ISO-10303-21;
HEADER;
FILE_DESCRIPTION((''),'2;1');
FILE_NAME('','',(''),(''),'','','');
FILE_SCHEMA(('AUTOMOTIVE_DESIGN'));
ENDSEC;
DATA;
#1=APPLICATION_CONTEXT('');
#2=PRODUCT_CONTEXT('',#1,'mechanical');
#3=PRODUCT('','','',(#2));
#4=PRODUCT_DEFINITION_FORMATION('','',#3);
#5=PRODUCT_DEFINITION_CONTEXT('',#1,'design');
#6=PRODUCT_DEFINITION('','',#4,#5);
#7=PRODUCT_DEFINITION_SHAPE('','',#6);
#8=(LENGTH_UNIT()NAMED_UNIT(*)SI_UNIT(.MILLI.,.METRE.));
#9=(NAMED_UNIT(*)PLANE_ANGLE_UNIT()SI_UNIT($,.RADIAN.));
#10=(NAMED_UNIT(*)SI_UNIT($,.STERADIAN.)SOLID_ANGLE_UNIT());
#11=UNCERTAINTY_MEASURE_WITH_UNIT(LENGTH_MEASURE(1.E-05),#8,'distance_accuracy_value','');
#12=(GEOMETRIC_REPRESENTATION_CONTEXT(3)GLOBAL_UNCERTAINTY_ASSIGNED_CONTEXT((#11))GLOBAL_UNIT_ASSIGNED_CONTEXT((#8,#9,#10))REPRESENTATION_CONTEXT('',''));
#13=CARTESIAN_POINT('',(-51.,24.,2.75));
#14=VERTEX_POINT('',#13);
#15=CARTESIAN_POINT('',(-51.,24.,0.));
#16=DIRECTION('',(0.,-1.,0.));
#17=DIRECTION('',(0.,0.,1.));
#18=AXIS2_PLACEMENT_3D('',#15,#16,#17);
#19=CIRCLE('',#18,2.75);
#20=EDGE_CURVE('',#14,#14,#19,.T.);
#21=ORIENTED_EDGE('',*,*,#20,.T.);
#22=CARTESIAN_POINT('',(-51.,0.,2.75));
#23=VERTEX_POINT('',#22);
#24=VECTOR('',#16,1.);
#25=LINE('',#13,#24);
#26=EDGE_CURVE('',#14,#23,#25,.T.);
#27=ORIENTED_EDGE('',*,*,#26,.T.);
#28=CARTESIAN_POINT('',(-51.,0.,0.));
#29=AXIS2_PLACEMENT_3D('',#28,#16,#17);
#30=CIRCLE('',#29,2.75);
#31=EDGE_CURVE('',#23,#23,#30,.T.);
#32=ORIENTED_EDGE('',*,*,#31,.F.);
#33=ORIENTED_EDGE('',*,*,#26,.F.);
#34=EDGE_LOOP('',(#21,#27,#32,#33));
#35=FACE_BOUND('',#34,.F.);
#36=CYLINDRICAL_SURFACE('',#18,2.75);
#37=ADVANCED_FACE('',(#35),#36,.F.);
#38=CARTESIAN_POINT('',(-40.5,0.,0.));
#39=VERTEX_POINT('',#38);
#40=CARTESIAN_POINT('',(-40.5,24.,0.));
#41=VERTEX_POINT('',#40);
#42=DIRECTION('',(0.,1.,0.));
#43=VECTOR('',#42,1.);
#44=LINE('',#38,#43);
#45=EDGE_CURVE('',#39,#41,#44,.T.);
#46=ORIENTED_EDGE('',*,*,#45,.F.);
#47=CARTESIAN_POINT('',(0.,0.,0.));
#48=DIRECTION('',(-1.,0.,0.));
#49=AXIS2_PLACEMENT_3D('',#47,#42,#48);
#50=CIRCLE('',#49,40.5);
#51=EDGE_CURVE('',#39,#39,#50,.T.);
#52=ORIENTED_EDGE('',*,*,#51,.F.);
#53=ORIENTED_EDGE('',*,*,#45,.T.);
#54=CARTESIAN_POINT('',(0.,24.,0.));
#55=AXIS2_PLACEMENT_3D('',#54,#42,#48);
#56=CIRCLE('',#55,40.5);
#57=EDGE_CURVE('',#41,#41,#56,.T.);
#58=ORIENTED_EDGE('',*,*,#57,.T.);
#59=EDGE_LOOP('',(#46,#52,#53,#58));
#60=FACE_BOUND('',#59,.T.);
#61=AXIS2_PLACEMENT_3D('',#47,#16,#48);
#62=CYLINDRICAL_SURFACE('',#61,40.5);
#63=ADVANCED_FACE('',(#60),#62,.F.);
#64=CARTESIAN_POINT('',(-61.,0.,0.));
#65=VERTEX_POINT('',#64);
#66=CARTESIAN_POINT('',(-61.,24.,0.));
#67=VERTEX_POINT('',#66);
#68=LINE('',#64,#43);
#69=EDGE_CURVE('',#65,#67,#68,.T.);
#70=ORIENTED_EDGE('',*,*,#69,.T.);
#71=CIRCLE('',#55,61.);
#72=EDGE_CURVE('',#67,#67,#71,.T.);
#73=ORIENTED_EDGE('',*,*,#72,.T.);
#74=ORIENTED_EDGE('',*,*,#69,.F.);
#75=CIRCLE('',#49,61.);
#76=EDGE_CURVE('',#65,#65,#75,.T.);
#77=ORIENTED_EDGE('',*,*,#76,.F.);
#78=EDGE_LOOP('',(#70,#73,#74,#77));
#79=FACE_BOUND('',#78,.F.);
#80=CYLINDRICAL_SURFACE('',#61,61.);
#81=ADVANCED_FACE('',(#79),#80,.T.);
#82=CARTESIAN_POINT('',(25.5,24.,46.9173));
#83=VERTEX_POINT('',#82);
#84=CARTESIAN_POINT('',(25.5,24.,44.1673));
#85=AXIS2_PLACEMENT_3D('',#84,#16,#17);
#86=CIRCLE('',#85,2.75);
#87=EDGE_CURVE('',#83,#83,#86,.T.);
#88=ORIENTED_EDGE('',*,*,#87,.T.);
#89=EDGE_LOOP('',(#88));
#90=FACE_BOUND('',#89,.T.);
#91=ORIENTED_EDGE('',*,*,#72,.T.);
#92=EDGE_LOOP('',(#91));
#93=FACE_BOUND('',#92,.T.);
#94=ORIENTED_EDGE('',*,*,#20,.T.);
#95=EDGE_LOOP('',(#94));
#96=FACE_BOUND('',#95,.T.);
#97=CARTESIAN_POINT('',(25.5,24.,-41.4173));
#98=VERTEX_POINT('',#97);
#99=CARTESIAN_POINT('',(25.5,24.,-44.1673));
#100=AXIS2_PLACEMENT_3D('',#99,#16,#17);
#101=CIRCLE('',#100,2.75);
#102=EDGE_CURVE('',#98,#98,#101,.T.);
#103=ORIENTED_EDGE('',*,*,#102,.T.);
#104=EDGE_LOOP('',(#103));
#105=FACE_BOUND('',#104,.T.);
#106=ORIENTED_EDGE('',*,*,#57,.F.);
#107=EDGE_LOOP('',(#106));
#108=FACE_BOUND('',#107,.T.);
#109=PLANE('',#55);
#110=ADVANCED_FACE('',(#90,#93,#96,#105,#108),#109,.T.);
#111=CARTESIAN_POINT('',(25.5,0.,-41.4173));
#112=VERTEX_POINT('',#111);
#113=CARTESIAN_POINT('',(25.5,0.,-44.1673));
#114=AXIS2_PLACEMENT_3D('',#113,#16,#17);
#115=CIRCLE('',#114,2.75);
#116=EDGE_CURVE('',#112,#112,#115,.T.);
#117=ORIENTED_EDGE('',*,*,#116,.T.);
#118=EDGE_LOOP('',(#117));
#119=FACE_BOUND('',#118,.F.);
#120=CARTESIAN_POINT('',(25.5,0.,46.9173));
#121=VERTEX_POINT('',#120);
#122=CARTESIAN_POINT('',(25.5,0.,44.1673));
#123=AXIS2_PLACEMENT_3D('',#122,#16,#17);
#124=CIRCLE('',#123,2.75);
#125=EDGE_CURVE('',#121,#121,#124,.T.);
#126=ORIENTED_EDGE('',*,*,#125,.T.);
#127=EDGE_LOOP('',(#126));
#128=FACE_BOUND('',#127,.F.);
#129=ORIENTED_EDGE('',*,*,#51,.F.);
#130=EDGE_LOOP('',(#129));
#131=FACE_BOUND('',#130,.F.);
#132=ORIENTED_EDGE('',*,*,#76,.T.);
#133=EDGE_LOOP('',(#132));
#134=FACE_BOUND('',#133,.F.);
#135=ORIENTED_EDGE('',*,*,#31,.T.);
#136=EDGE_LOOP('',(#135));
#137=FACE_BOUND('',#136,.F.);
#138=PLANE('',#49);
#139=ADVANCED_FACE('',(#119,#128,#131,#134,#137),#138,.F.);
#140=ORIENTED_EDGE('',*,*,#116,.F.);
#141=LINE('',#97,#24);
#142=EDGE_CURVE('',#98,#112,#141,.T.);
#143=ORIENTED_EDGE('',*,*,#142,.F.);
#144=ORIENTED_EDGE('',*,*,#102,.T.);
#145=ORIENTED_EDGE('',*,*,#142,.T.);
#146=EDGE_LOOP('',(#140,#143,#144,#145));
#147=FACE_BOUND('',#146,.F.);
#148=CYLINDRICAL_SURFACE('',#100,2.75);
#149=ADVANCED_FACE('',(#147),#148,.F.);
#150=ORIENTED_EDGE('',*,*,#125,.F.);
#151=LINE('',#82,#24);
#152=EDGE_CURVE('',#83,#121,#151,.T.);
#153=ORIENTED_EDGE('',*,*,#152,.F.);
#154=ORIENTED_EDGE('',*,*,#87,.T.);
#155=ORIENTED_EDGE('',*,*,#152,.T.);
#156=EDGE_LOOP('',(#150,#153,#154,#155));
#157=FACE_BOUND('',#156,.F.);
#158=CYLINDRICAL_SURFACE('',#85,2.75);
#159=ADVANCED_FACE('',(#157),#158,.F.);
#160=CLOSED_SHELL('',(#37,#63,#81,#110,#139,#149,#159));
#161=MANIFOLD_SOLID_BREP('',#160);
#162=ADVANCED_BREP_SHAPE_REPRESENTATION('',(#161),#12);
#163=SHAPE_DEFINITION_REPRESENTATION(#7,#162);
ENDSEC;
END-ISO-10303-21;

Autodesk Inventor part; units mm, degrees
ref_plane "YZ Plane" through (0, 0, 0) normal (1, 0, 0) x (0, 1, 0)
ref_plane "XZ Plane" through (0, 0, 0) normal (0, 1, 0) x (-1, 0, 0)
ref_plane "XY Plane" through (0, 0, 0) normal (0, 0, 1) x (1, 0, 0)
sketch "Sketch1" plane through (0, 0, 0) normal (0, 1, 0) x (-1, 0, 0)
  circle A0 centre (0, 0) radius 40.5
  circle A1 centre (0, 0) radius 61
  dimension "d0" = 81
  dimension "d1" = 122
extrude "Extrusion1" add sketch "Sketch1" along normal blind 24
sketch "Sketch2" plane through (0, 24, 0) normal (0, 1, 0) x (1, 0, 0)
  circle A0 centre (0, 0) radius 51 construction
  point P0 (-51, 0)
  point P1 (25.5, -44.1673)
  point P2 (25.5, 44.1673)
  dimension "d4" = 102
  dimension "d7" = 360
hole "Hole1" at (-51, 24, 0) at (25.5, 24, 44.1673) at (25.5, 24, -44.1673) direction (0, -1, 0) diameter 5.5 end through all
properties part number "Adapter"
